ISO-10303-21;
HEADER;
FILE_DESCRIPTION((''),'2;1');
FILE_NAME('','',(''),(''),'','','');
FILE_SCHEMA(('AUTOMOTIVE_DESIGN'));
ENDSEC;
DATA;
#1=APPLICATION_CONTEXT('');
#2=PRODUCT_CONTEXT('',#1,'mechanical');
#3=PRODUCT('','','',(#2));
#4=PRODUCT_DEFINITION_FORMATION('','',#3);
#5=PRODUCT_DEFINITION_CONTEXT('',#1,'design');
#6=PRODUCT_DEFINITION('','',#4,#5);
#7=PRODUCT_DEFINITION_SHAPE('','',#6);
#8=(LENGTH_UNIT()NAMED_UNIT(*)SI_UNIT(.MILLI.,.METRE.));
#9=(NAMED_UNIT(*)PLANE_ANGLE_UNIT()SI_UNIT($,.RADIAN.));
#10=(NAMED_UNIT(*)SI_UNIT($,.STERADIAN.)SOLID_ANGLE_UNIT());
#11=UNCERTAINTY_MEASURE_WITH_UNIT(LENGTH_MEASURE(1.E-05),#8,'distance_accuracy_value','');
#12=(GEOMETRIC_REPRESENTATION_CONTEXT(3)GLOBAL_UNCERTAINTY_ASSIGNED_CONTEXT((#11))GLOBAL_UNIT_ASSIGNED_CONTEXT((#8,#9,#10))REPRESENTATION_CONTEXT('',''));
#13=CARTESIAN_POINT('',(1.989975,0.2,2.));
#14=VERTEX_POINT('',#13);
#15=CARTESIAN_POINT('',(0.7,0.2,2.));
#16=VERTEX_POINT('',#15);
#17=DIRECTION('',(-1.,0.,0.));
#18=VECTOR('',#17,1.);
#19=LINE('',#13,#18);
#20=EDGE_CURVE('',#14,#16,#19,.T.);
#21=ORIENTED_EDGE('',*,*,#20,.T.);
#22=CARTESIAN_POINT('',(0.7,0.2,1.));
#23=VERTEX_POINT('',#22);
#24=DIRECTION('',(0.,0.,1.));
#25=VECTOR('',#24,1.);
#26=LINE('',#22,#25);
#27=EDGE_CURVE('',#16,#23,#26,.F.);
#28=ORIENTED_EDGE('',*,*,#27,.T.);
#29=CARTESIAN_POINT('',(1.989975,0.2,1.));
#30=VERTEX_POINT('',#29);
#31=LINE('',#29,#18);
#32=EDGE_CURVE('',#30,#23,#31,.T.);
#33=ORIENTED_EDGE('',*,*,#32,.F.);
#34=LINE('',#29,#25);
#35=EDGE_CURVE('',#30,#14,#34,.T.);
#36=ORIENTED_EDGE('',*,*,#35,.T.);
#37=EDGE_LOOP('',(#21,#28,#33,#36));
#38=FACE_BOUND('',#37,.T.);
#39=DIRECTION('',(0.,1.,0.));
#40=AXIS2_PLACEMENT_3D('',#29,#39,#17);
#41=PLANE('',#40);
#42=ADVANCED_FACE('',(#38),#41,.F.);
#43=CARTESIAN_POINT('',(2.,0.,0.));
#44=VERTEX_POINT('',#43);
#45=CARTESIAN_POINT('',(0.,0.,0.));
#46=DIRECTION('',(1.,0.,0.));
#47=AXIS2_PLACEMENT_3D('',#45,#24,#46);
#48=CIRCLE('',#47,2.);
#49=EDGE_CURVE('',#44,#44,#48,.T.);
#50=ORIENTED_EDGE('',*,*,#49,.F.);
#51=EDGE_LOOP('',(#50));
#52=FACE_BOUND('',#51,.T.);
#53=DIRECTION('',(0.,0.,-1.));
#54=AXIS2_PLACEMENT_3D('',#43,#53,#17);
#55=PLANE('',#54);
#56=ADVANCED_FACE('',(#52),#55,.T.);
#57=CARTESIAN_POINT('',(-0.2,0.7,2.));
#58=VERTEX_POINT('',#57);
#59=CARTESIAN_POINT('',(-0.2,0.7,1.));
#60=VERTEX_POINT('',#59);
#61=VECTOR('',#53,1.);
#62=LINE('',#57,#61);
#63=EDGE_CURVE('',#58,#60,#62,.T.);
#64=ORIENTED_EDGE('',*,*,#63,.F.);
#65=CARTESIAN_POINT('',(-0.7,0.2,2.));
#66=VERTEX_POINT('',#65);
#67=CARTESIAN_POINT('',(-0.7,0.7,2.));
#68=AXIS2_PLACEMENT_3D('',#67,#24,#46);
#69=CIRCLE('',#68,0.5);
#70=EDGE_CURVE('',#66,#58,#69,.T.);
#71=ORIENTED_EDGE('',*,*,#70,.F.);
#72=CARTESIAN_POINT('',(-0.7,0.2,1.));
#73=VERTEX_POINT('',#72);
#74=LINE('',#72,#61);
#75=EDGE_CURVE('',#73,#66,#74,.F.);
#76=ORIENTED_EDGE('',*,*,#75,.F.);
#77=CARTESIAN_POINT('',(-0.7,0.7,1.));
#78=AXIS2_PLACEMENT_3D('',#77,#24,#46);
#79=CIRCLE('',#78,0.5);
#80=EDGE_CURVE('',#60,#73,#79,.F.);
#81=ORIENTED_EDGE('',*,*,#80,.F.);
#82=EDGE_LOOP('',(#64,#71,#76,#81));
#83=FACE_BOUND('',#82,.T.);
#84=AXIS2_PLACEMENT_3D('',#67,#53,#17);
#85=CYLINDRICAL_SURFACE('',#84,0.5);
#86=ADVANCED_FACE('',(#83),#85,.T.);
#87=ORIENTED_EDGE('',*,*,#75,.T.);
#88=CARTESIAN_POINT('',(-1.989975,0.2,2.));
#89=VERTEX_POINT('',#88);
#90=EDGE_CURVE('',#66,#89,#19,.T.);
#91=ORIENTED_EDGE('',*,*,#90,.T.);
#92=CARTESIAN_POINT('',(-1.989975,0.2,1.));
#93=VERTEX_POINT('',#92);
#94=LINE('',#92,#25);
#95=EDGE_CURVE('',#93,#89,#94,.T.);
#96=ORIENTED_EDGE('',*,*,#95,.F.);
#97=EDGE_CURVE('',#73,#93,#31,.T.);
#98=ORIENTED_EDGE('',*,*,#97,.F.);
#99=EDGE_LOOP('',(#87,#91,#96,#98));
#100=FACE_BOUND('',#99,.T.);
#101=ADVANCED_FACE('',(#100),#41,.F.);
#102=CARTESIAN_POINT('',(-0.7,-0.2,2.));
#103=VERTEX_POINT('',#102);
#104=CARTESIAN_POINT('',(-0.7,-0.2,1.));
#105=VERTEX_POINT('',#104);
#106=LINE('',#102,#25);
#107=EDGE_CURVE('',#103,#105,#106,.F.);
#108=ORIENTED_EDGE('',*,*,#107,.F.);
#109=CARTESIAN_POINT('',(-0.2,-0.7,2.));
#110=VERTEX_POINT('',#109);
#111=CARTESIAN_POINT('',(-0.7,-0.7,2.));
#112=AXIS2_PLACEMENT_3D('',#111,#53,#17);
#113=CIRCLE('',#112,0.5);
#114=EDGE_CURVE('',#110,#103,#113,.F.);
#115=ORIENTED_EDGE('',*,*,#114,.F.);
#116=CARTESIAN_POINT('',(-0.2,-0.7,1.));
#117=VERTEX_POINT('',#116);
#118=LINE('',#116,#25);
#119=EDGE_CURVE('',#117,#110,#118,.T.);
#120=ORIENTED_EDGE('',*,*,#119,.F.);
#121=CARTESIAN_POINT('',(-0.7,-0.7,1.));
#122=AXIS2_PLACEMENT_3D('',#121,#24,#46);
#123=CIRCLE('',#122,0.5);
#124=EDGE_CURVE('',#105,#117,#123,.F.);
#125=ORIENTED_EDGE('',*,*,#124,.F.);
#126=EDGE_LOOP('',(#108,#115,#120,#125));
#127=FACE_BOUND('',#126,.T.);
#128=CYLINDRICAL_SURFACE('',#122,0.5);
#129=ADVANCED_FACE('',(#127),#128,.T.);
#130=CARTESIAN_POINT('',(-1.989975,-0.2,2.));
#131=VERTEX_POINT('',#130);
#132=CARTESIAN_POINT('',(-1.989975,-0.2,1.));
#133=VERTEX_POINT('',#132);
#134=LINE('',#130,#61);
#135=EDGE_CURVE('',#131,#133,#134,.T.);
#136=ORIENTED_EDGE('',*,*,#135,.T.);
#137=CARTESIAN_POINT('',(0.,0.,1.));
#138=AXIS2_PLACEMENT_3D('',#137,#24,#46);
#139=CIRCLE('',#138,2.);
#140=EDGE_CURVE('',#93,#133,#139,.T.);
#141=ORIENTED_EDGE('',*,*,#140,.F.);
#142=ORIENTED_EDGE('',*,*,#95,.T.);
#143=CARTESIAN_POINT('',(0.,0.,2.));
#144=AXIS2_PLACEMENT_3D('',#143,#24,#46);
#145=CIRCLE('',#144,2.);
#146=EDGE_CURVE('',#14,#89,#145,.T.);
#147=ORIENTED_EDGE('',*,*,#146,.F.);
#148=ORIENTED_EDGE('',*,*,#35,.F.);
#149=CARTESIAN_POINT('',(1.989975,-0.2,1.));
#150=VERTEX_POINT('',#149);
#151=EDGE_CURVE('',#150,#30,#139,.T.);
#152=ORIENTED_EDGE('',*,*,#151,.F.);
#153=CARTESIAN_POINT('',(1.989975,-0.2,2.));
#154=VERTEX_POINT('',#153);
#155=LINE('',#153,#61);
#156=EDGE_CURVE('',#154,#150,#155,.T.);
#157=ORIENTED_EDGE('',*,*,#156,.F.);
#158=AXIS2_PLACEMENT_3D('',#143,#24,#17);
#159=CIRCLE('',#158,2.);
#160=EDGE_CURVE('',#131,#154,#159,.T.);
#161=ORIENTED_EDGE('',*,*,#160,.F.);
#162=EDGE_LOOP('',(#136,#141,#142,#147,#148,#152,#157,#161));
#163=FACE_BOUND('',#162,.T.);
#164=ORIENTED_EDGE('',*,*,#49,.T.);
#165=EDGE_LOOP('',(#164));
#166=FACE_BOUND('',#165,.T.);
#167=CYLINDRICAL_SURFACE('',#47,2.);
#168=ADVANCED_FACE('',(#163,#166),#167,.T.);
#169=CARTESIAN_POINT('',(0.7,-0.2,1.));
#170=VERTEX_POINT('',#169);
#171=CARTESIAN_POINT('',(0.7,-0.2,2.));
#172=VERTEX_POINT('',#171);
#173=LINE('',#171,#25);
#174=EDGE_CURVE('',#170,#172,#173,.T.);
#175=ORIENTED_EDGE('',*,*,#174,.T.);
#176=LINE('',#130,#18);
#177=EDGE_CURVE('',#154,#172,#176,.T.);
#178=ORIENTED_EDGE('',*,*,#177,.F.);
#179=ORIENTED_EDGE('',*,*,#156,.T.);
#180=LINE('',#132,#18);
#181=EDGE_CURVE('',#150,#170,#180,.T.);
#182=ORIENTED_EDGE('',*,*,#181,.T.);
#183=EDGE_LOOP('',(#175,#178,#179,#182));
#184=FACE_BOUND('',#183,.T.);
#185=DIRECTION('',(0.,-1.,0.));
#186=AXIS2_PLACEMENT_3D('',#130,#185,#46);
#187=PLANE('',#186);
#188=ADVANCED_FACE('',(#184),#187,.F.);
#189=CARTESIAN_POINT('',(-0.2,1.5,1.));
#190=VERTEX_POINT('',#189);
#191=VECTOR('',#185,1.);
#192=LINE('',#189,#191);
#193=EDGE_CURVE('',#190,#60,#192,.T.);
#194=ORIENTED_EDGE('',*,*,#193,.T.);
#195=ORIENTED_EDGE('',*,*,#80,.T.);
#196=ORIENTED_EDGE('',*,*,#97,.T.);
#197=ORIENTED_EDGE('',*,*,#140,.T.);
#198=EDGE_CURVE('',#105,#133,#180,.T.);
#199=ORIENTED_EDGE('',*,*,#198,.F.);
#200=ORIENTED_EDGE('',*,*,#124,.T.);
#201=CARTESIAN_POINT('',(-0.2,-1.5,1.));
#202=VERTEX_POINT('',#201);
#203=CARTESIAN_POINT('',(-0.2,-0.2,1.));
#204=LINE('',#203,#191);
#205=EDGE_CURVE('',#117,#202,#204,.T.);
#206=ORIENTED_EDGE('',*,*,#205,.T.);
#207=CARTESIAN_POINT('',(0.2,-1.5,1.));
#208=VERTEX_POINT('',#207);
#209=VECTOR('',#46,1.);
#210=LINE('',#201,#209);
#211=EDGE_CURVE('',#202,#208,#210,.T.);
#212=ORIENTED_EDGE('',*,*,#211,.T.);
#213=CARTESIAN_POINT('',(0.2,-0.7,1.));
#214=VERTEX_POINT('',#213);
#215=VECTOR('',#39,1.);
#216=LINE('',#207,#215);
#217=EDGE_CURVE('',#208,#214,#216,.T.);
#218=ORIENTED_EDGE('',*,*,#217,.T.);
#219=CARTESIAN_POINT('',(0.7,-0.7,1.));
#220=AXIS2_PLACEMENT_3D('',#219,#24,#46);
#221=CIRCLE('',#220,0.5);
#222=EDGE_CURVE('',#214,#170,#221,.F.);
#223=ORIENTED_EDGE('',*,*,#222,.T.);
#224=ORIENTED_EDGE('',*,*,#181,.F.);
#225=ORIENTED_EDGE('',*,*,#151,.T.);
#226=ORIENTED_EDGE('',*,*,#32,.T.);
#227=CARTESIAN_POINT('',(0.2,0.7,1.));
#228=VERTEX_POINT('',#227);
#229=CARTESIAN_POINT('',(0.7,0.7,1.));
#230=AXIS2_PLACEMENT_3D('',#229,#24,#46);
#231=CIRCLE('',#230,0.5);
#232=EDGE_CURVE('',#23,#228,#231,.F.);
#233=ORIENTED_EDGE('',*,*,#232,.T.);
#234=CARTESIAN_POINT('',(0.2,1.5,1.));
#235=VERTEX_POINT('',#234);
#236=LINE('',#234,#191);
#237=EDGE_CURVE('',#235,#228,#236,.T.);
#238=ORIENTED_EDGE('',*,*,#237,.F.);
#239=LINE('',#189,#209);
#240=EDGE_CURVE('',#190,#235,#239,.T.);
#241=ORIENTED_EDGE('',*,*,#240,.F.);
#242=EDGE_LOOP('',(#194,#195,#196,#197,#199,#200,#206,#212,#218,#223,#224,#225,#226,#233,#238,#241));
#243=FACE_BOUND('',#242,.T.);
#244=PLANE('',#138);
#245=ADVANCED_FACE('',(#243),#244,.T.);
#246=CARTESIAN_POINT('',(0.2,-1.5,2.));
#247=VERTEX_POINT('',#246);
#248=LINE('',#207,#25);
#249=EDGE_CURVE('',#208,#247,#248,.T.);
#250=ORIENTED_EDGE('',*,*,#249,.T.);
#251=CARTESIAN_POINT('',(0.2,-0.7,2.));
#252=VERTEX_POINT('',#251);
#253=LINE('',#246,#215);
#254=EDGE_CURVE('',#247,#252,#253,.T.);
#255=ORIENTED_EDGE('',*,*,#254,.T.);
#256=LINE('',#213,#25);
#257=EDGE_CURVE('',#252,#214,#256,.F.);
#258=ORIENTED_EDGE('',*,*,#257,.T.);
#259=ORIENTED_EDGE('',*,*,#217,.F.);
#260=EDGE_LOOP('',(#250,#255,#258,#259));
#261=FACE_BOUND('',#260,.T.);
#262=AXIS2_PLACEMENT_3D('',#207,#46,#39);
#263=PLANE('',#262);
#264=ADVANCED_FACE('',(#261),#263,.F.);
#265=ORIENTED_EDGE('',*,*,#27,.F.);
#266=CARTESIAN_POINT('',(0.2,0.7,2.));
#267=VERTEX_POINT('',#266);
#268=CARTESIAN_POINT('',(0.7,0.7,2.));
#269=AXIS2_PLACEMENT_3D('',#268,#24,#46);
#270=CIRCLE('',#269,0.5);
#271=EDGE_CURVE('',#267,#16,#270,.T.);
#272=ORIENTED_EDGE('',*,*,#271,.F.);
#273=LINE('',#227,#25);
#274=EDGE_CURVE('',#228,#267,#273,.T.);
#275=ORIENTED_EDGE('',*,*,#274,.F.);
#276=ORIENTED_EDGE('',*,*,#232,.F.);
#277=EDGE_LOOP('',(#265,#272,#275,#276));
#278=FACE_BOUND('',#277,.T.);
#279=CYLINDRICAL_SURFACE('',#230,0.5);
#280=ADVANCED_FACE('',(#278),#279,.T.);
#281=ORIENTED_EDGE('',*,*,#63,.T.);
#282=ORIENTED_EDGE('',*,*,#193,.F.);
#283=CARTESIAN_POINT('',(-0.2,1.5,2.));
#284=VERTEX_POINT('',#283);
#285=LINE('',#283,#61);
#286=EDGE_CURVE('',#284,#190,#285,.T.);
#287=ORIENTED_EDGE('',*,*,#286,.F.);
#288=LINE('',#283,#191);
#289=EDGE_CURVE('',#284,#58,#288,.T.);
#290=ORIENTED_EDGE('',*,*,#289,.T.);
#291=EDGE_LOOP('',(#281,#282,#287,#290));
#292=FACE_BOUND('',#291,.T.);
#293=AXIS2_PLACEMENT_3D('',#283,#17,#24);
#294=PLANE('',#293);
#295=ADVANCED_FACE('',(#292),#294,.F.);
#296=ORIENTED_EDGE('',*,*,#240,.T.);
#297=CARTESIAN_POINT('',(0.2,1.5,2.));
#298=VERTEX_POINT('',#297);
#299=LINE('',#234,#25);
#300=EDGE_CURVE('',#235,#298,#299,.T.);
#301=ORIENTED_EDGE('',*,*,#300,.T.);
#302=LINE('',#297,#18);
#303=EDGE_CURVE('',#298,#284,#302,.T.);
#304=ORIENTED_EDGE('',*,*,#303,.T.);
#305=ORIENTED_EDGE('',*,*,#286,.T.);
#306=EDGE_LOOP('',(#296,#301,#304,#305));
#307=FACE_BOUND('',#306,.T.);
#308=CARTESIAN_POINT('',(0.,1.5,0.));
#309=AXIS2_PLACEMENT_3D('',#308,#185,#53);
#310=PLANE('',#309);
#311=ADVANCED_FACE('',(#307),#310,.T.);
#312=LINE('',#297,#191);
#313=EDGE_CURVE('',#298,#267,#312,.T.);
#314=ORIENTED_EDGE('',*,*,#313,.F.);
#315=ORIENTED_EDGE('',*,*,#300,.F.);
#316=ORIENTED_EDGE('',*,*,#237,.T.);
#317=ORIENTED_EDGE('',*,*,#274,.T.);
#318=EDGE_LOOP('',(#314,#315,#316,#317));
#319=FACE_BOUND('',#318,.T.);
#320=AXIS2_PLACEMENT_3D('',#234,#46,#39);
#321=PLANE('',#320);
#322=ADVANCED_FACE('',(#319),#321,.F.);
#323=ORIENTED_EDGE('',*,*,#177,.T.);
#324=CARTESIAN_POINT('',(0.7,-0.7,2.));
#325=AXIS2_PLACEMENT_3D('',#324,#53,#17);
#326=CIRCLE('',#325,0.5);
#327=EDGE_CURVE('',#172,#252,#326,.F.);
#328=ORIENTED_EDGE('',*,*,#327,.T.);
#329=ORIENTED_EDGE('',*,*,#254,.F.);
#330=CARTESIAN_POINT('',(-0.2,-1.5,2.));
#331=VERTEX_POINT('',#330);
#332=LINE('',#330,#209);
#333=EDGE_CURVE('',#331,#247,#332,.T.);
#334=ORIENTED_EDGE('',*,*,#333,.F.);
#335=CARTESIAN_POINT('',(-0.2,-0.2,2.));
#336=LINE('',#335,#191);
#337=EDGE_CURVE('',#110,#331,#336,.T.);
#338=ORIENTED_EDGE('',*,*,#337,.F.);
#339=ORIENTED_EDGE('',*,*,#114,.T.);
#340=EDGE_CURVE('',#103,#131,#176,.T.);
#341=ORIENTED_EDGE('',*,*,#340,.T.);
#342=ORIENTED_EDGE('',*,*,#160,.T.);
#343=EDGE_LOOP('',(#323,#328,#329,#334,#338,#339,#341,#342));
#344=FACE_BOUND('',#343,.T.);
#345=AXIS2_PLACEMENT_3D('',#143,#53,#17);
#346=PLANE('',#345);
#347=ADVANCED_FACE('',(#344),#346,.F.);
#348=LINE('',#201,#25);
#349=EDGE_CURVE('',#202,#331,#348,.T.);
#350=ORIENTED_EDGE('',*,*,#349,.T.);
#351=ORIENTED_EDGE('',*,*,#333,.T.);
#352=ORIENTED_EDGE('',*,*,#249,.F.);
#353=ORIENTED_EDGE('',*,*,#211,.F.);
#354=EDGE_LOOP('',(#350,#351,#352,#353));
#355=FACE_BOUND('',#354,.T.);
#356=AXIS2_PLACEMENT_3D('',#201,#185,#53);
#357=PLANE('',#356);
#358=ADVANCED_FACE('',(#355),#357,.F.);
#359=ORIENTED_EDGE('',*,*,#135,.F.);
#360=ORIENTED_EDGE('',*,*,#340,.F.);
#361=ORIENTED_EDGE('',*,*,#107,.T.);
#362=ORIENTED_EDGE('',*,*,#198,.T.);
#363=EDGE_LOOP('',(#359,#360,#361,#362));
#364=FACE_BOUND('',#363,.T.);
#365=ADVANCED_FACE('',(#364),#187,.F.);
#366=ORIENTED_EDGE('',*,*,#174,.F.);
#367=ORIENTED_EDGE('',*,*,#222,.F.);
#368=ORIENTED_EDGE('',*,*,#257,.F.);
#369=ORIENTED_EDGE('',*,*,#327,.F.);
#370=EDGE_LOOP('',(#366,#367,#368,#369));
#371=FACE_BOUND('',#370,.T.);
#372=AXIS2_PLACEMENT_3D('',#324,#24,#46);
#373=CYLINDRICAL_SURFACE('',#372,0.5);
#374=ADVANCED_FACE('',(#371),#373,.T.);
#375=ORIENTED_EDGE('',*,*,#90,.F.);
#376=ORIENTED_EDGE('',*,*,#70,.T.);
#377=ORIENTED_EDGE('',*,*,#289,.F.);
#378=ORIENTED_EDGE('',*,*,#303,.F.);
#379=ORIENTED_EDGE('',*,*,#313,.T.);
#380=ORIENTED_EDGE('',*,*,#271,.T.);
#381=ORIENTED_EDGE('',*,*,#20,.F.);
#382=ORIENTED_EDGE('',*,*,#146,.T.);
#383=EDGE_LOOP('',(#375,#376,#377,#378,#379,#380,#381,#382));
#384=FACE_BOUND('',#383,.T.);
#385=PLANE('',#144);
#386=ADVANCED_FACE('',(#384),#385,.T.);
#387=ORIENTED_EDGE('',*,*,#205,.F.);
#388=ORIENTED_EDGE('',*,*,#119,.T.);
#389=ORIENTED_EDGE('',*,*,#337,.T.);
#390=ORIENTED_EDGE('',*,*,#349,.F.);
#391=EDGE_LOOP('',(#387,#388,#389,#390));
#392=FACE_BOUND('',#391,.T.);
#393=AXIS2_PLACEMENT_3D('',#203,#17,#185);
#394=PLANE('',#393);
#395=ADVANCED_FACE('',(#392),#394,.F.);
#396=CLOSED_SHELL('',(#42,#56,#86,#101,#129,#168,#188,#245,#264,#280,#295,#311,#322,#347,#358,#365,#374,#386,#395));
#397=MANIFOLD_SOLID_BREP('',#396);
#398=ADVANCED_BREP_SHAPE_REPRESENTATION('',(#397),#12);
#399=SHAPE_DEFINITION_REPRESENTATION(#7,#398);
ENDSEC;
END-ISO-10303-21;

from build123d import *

# Parameters (mm, degrees)
SKETCH_1_W          = 2
SKETCH_1_H          = 2
CUT_EXTRUDE_START   = -1
CUT_EXTRUDE_1_DEPTH = 1
SKETCH_3_W          = 0.4
SKETCH_3_H          = 1
CUT_EXTRUDE_2_DEPTH = 1.3
EXTRUDE_1_DEPTH     = 1
SKETCH_5_W          = 0.4
SKETCH_5_H          = 1.3
CUT_EXTRUDE_3_DEPTH = 1
FILLET_1_R          = 0.5


with BuildPart() as part:
    # Эскиз1 → Повернуть1 (revolve)
    with BuildSketch(Plane(origin=(0, 0, 0), x_dir=(1, 0, 0), z_dir=(0, 1, 0))):
        with Locations((1, -1)):
            Rectangle(SKETCH_1_W, SKETCH_1_H)
    revolve(axis=Axis((0, 0, 0), (0, 0, 1)))

    # Эскиз2 → Вырез-Вытянуть1 (cut)
    with BuildSketch(Plane.XY.offset(2).offset(CUT_EXTRUDE_START)):
        with BuildLine():
            Line((1.989974874, 0.2), (-1.989974874, 0.2))
            ThreePointArc((-1.989974874, 0.2), (0, -2), (1.989974874, 0.2))
        make_face()
    extrude(amount=CUT_EXTRUDE_1_DEPTH, mode=Mode.SUBTRACT)

    # Эскиз3 → Вырез-Вытянуть2 (cut)
    with BuildSketch(Plane.XZ.offset(-0.2)):
        with Locations((0, 1.5)):
            Rectangle(SKETCH_3_W, SKETCH_3_H)
    extrude(amount=-CUT_EXTRUDE_2_DEPTH, mode=Mode.SUBTRACT)

    # Эскиз4 → Бобышка-Вытянуть1 (add)
    with BuildSketch(Plane.XY.offset(1)):
        with BuildLine():
            Line((-1.989974874, -0.2), (1.989974874, -0.2))
            ThreePointArc((1.989974874, -0.2), (0, -2), (-1.989974874, -0.2))
        make_face()
    extrude(amount=EXTRUDE_1_DEPTH)

    # Эскиз5 → Вырез-Вытянуть3 (cut)
    with BuildSketch(Plane.XY.offset(2)):
        with Locations((0, -0.85)):
            Rectangle(SKETCH_5_W, SKETCH_5_H)
    extrude(amount=-CUT_EXTRUDE_3_DEPTH, mode=Mode.SUBTRACT)

    # Скругление1
    fillet_1_edges = [part.edges().sort_by_distance(p)[0] for p in [
        (-0.2, 0.2, 1.5),
        (0.2, 0.2, 1.5),
        (-0.2, -0.2, 1.5),
        (0.2, -0.2, 1.5),
    ]]
    fillet(fillet_1_edges, radius=FILLET_1_R)


solid = part.part
